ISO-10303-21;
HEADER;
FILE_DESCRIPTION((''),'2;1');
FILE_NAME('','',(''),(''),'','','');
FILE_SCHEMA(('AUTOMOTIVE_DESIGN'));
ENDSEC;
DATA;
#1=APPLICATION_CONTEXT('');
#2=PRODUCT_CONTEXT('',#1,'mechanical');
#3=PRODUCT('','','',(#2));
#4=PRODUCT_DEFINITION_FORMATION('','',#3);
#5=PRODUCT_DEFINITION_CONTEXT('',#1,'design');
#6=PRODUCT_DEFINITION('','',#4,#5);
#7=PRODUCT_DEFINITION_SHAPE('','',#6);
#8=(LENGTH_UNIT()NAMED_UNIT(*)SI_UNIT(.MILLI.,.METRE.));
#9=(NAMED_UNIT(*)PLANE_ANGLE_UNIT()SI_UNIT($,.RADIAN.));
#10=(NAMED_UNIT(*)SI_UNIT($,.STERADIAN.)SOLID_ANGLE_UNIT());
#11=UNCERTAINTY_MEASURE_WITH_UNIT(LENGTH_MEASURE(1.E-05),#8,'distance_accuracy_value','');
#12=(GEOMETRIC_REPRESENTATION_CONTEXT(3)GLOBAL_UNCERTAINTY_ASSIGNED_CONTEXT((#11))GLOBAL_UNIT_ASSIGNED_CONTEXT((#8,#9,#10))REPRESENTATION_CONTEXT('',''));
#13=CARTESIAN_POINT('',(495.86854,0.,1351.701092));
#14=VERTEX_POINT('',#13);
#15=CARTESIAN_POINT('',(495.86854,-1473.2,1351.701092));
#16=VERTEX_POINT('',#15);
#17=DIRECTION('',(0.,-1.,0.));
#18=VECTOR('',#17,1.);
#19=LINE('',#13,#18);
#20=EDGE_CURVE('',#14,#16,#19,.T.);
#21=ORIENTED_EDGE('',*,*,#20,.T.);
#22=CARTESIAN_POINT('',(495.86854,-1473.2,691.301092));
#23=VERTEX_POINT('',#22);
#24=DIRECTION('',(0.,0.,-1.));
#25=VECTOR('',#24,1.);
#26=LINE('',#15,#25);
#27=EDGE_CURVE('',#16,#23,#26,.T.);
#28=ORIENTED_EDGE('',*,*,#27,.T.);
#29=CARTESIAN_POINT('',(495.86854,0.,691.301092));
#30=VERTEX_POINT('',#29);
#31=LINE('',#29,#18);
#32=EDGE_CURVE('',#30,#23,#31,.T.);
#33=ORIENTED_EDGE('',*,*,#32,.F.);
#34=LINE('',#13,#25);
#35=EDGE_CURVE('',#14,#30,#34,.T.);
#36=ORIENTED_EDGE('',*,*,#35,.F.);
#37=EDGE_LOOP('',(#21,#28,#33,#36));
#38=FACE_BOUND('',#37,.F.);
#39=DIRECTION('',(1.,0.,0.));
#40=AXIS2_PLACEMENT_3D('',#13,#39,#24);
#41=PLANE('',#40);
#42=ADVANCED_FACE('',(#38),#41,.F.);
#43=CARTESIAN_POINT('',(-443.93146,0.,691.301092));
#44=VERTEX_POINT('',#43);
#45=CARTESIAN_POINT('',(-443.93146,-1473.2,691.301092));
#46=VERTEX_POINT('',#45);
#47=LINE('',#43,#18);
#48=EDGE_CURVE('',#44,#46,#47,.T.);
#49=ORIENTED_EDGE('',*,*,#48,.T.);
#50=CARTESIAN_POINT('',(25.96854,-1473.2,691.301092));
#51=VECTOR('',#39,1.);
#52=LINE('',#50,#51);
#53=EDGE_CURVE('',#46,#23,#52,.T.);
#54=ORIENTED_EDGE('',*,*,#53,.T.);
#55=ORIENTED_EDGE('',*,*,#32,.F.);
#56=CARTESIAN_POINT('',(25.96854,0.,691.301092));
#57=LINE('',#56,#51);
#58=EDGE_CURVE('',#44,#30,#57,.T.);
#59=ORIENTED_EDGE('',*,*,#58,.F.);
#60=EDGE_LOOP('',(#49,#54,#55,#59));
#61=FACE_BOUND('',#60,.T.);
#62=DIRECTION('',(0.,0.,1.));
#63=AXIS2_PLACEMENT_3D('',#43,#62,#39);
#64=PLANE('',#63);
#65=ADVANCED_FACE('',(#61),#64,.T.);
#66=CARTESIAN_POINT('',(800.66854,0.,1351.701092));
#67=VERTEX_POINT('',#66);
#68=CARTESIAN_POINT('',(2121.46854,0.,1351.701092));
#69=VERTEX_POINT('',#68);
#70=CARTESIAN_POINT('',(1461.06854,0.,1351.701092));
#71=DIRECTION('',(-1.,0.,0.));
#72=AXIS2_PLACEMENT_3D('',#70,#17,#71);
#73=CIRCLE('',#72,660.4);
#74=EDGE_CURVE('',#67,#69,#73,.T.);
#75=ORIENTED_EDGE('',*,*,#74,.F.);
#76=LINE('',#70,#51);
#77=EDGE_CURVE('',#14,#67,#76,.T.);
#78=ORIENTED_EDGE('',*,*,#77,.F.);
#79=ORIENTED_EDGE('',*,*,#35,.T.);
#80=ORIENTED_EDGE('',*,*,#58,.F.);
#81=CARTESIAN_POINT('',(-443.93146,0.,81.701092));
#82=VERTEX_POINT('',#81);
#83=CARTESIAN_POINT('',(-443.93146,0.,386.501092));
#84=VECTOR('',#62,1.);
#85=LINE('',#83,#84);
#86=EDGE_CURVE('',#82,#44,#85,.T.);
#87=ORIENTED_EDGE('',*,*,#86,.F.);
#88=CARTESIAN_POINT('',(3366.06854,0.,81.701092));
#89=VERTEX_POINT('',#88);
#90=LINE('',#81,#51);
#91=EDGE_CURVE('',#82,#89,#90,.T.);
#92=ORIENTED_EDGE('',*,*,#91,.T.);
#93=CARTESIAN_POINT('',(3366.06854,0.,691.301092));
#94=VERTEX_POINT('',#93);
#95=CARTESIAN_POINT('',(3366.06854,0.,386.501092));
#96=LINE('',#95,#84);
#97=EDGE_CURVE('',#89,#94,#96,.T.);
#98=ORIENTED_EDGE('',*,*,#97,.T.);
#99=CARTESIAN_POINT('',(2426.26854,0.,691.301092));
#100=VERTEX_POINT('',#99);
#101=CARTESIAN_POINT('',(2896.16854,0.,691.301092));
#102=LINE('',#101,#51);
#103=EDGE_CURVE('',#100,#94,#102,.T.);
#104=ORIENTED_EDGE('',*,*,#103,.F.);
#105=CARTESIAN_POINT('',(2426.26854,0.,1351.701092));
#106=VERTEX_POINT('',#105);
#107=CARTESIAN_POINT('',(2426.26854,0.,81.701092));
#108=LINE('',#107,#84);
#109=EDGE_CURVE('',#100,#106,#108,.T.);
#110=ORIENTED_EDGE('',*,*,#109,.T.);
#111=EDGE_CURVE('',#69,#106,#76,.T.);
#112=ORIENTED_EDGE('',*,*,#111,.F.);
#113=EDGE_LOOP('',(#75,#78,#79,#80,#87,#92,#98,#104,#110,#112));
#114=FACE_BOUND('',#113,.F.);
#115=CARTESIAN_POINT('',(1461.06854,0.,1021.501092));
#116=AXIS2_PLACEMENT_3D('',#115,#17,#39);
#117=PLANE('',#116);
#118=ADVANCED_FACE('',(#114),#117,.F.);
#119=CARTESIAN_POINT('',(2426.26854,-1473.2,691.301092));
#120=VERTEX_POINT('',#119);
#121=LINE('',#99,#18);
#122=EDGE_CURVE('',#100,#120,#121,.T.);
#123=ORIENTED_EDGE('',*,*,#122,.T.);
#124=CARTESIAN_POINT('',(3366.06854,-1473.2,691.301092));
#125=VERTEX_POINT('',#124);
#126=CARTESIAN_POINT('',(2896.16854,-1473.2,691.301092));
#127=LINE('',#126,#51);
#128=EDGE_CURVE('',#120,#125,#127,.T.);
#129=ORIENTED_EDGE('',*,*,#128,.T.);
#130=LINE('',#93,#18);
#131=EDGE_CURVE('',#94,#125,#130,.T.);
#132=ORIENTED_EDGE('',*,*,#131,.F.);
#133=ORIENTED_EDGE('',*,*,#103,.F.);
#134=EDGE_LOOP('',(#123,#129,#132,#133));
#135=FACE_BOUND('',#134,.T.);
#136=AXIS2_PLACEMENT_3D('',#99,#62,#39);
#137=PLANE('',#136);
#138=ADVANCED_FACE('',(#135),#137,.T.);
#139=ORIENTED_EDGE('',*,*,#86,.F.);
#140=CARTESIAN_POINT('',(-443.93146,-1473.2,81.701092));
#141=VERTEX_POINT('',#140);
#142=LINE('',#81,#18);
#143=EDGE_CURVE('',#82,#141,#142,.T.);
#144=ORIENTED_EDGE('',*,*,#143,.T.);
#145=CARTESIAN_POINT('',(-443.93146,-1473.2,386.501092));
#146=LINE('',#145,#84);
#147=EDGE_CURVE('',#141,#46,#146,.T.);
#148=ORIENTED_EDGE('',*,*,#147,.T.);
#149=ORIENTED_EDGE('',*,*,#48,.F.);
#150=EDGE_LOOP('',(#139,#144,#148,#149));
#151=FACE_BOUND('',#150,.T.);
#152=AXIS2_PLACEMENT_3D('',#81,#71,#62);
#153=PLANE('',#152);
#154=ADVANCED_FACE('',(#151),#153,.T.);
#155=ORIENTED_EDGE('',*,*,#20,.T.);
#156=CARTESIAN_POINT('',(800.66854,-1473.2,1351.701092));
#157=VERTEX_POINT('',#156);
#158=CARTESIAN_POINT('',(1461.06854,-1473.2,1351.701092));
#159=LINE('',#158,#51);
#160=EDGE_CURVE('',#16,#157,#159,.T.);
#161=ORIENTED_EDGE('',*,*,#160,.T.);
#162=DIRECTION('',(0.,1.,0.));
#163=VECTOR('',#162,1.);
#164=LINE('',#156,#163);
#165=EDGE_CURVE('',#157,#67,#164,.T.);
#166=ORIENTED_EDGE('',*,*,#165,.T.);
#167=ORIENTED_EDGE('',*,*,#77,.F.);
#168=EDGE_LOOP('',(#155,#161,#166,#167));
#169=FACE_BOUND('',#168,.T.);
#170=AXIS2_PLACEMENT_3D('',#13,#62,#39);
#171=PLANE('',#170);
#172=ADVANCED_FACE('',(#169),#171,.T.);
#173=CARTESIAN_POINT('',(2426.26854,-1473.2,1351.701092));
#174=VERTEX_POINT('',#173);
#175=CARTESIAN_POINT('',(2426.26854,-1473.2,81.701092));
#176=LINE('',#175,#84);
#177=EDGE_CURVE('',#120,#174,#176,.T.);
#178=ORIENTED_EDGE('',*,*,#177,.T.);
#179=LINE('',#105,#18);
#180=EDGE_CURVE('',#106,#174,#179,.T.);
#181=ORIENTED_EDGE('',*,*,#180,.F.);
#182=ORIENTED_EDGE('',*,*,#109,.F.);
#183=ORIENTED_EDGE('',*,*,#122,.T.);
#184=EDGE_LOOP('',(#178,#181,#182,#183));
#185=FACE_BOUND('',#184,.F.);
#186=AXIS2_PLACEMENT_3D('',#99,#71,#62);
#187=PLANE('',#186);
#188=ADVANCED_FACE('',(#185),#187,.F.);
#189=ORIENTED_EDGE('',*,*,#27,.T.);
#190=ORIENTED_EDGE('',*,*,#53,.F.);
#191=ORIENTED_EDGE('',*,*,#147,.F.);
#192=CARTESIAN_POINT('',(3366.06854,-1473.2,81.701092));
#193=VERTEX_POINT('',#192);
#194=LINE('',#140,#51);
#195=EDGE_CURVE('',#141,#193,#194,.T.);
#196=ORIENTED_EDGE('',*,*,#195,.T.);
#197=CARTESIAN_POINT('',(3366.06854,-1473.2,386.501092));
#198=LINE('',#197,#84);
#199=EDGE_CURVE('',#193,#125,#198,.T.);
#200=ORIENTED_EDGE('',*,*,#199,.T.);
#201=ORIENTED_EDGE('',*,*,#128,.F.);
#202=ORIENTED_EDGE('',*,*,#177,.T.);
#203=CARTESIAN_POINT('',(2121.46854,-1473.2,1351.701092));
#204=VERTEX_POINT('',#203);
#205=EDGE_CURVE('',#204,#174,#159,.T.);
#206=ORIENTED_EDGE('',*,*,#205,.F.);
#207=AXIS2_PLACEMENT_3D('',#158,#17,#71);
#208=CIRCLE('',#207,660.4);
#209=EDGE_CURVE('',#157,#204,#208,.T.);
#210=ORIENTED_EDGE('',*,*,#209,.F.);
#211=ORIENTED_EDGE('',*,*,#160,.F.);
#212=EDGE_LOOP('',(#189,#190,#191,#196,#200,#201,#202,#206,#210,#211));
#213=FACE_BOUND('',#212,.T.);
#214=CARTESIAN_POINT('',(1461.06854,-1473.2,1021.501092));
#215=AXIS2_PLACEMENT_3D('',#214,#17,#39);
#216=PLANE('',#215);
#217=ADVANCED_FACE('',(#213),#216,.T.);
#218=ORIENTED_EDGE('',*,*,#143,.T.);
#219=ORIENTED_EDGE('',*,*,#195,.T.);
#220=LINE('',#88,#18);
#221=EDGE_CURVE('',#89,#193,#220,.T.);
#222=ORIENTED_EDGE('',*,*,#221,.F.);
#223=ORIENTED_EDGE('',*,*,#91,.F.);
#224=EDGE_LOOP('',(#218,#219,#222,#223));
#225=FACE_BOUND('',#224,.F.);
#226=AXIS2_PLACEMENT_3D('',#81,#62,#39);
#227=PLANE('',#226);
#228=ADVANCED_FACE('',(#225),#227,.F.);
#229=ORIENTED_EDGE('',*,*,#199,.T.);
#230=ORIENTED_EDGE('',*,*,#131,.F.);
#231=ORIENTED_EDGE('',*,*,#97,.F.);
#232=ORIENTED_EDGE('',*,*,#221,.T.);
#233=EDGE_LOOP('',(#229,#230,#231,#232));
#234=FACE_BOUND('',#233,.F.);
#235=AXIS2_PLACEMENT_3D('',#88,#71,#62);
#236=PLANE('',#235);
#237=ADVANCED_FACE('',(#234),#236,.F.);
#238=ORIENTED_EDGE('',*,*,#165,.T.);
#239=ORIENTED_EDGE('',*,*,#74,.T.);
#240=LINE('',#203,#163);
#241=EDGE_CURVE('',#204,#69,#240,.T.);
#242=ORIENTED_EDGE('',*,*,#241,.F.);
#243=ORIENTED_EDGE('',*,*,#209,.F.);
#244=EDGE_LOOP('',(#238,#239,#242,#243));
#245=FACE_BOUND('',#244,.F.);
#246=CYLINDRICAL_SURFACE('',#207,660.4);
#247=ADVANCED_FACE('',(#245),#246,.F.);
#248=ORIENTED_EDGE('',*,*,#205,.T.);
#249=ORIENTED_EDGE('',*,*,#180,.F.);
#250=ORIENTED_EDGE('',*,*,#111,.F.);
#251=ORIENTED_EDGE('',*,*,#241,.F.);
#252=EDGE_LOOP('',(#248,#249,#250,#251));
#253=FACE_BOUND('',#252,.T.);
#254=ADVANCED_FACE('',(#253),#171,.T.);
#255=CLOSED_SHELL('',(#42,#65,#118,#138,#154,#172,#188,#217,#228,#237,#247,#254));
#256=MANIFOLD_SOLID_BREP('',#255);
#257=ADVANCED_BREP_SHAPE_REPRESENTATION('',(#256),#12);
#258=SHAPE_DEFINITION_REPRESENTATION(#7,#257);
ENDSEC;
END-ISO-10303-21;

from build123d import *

# Parameters (mm, degrees)
F0_W     = 1930.4
F0_H     = 660.4
F0_H_2   = 609.6
F0_W_2   = 939.8
F1_DEPTH = 1473.2
F3_DEPTH = 1574.8


with BuildPart() as f1:
    # F0 (on Front) → F1 (new body)
    with BuildSketch(Plane.XZ):
        with Locations((1461.06854, 1021.501092)):
            Rectangle(F0_W, F0_H)
        with Locations((1461.06854, 386.501092)):
            Rectangle(F0_W, F0_H_2)
        with Locations((25.96854, 386.501092)):
            Rectangle(F0_W_2, F0_H_2)
        with Locations((2896.16854, 386.501092)):
            Rectangle(F0_W_2, F0_H_2)
    extrude(amount=F1_DEPTH)

    # F2 (on face) → F3 (cut)
    with BuildSketch(Plane.XZ.offset(1473.2)):
        with BuildLine():
            ThreePointArc((800.66854, 1351.701092), (1461.06854, 691.301092), (2121.46854, 1351.701092))
            Line((2121.46854, 1351.701092), (800.66854, 1351.701092))
        make_face()
    extrude(amount=-F3_DEPTH, mode=Mode.SUBTRACT)


solid = f1.part
